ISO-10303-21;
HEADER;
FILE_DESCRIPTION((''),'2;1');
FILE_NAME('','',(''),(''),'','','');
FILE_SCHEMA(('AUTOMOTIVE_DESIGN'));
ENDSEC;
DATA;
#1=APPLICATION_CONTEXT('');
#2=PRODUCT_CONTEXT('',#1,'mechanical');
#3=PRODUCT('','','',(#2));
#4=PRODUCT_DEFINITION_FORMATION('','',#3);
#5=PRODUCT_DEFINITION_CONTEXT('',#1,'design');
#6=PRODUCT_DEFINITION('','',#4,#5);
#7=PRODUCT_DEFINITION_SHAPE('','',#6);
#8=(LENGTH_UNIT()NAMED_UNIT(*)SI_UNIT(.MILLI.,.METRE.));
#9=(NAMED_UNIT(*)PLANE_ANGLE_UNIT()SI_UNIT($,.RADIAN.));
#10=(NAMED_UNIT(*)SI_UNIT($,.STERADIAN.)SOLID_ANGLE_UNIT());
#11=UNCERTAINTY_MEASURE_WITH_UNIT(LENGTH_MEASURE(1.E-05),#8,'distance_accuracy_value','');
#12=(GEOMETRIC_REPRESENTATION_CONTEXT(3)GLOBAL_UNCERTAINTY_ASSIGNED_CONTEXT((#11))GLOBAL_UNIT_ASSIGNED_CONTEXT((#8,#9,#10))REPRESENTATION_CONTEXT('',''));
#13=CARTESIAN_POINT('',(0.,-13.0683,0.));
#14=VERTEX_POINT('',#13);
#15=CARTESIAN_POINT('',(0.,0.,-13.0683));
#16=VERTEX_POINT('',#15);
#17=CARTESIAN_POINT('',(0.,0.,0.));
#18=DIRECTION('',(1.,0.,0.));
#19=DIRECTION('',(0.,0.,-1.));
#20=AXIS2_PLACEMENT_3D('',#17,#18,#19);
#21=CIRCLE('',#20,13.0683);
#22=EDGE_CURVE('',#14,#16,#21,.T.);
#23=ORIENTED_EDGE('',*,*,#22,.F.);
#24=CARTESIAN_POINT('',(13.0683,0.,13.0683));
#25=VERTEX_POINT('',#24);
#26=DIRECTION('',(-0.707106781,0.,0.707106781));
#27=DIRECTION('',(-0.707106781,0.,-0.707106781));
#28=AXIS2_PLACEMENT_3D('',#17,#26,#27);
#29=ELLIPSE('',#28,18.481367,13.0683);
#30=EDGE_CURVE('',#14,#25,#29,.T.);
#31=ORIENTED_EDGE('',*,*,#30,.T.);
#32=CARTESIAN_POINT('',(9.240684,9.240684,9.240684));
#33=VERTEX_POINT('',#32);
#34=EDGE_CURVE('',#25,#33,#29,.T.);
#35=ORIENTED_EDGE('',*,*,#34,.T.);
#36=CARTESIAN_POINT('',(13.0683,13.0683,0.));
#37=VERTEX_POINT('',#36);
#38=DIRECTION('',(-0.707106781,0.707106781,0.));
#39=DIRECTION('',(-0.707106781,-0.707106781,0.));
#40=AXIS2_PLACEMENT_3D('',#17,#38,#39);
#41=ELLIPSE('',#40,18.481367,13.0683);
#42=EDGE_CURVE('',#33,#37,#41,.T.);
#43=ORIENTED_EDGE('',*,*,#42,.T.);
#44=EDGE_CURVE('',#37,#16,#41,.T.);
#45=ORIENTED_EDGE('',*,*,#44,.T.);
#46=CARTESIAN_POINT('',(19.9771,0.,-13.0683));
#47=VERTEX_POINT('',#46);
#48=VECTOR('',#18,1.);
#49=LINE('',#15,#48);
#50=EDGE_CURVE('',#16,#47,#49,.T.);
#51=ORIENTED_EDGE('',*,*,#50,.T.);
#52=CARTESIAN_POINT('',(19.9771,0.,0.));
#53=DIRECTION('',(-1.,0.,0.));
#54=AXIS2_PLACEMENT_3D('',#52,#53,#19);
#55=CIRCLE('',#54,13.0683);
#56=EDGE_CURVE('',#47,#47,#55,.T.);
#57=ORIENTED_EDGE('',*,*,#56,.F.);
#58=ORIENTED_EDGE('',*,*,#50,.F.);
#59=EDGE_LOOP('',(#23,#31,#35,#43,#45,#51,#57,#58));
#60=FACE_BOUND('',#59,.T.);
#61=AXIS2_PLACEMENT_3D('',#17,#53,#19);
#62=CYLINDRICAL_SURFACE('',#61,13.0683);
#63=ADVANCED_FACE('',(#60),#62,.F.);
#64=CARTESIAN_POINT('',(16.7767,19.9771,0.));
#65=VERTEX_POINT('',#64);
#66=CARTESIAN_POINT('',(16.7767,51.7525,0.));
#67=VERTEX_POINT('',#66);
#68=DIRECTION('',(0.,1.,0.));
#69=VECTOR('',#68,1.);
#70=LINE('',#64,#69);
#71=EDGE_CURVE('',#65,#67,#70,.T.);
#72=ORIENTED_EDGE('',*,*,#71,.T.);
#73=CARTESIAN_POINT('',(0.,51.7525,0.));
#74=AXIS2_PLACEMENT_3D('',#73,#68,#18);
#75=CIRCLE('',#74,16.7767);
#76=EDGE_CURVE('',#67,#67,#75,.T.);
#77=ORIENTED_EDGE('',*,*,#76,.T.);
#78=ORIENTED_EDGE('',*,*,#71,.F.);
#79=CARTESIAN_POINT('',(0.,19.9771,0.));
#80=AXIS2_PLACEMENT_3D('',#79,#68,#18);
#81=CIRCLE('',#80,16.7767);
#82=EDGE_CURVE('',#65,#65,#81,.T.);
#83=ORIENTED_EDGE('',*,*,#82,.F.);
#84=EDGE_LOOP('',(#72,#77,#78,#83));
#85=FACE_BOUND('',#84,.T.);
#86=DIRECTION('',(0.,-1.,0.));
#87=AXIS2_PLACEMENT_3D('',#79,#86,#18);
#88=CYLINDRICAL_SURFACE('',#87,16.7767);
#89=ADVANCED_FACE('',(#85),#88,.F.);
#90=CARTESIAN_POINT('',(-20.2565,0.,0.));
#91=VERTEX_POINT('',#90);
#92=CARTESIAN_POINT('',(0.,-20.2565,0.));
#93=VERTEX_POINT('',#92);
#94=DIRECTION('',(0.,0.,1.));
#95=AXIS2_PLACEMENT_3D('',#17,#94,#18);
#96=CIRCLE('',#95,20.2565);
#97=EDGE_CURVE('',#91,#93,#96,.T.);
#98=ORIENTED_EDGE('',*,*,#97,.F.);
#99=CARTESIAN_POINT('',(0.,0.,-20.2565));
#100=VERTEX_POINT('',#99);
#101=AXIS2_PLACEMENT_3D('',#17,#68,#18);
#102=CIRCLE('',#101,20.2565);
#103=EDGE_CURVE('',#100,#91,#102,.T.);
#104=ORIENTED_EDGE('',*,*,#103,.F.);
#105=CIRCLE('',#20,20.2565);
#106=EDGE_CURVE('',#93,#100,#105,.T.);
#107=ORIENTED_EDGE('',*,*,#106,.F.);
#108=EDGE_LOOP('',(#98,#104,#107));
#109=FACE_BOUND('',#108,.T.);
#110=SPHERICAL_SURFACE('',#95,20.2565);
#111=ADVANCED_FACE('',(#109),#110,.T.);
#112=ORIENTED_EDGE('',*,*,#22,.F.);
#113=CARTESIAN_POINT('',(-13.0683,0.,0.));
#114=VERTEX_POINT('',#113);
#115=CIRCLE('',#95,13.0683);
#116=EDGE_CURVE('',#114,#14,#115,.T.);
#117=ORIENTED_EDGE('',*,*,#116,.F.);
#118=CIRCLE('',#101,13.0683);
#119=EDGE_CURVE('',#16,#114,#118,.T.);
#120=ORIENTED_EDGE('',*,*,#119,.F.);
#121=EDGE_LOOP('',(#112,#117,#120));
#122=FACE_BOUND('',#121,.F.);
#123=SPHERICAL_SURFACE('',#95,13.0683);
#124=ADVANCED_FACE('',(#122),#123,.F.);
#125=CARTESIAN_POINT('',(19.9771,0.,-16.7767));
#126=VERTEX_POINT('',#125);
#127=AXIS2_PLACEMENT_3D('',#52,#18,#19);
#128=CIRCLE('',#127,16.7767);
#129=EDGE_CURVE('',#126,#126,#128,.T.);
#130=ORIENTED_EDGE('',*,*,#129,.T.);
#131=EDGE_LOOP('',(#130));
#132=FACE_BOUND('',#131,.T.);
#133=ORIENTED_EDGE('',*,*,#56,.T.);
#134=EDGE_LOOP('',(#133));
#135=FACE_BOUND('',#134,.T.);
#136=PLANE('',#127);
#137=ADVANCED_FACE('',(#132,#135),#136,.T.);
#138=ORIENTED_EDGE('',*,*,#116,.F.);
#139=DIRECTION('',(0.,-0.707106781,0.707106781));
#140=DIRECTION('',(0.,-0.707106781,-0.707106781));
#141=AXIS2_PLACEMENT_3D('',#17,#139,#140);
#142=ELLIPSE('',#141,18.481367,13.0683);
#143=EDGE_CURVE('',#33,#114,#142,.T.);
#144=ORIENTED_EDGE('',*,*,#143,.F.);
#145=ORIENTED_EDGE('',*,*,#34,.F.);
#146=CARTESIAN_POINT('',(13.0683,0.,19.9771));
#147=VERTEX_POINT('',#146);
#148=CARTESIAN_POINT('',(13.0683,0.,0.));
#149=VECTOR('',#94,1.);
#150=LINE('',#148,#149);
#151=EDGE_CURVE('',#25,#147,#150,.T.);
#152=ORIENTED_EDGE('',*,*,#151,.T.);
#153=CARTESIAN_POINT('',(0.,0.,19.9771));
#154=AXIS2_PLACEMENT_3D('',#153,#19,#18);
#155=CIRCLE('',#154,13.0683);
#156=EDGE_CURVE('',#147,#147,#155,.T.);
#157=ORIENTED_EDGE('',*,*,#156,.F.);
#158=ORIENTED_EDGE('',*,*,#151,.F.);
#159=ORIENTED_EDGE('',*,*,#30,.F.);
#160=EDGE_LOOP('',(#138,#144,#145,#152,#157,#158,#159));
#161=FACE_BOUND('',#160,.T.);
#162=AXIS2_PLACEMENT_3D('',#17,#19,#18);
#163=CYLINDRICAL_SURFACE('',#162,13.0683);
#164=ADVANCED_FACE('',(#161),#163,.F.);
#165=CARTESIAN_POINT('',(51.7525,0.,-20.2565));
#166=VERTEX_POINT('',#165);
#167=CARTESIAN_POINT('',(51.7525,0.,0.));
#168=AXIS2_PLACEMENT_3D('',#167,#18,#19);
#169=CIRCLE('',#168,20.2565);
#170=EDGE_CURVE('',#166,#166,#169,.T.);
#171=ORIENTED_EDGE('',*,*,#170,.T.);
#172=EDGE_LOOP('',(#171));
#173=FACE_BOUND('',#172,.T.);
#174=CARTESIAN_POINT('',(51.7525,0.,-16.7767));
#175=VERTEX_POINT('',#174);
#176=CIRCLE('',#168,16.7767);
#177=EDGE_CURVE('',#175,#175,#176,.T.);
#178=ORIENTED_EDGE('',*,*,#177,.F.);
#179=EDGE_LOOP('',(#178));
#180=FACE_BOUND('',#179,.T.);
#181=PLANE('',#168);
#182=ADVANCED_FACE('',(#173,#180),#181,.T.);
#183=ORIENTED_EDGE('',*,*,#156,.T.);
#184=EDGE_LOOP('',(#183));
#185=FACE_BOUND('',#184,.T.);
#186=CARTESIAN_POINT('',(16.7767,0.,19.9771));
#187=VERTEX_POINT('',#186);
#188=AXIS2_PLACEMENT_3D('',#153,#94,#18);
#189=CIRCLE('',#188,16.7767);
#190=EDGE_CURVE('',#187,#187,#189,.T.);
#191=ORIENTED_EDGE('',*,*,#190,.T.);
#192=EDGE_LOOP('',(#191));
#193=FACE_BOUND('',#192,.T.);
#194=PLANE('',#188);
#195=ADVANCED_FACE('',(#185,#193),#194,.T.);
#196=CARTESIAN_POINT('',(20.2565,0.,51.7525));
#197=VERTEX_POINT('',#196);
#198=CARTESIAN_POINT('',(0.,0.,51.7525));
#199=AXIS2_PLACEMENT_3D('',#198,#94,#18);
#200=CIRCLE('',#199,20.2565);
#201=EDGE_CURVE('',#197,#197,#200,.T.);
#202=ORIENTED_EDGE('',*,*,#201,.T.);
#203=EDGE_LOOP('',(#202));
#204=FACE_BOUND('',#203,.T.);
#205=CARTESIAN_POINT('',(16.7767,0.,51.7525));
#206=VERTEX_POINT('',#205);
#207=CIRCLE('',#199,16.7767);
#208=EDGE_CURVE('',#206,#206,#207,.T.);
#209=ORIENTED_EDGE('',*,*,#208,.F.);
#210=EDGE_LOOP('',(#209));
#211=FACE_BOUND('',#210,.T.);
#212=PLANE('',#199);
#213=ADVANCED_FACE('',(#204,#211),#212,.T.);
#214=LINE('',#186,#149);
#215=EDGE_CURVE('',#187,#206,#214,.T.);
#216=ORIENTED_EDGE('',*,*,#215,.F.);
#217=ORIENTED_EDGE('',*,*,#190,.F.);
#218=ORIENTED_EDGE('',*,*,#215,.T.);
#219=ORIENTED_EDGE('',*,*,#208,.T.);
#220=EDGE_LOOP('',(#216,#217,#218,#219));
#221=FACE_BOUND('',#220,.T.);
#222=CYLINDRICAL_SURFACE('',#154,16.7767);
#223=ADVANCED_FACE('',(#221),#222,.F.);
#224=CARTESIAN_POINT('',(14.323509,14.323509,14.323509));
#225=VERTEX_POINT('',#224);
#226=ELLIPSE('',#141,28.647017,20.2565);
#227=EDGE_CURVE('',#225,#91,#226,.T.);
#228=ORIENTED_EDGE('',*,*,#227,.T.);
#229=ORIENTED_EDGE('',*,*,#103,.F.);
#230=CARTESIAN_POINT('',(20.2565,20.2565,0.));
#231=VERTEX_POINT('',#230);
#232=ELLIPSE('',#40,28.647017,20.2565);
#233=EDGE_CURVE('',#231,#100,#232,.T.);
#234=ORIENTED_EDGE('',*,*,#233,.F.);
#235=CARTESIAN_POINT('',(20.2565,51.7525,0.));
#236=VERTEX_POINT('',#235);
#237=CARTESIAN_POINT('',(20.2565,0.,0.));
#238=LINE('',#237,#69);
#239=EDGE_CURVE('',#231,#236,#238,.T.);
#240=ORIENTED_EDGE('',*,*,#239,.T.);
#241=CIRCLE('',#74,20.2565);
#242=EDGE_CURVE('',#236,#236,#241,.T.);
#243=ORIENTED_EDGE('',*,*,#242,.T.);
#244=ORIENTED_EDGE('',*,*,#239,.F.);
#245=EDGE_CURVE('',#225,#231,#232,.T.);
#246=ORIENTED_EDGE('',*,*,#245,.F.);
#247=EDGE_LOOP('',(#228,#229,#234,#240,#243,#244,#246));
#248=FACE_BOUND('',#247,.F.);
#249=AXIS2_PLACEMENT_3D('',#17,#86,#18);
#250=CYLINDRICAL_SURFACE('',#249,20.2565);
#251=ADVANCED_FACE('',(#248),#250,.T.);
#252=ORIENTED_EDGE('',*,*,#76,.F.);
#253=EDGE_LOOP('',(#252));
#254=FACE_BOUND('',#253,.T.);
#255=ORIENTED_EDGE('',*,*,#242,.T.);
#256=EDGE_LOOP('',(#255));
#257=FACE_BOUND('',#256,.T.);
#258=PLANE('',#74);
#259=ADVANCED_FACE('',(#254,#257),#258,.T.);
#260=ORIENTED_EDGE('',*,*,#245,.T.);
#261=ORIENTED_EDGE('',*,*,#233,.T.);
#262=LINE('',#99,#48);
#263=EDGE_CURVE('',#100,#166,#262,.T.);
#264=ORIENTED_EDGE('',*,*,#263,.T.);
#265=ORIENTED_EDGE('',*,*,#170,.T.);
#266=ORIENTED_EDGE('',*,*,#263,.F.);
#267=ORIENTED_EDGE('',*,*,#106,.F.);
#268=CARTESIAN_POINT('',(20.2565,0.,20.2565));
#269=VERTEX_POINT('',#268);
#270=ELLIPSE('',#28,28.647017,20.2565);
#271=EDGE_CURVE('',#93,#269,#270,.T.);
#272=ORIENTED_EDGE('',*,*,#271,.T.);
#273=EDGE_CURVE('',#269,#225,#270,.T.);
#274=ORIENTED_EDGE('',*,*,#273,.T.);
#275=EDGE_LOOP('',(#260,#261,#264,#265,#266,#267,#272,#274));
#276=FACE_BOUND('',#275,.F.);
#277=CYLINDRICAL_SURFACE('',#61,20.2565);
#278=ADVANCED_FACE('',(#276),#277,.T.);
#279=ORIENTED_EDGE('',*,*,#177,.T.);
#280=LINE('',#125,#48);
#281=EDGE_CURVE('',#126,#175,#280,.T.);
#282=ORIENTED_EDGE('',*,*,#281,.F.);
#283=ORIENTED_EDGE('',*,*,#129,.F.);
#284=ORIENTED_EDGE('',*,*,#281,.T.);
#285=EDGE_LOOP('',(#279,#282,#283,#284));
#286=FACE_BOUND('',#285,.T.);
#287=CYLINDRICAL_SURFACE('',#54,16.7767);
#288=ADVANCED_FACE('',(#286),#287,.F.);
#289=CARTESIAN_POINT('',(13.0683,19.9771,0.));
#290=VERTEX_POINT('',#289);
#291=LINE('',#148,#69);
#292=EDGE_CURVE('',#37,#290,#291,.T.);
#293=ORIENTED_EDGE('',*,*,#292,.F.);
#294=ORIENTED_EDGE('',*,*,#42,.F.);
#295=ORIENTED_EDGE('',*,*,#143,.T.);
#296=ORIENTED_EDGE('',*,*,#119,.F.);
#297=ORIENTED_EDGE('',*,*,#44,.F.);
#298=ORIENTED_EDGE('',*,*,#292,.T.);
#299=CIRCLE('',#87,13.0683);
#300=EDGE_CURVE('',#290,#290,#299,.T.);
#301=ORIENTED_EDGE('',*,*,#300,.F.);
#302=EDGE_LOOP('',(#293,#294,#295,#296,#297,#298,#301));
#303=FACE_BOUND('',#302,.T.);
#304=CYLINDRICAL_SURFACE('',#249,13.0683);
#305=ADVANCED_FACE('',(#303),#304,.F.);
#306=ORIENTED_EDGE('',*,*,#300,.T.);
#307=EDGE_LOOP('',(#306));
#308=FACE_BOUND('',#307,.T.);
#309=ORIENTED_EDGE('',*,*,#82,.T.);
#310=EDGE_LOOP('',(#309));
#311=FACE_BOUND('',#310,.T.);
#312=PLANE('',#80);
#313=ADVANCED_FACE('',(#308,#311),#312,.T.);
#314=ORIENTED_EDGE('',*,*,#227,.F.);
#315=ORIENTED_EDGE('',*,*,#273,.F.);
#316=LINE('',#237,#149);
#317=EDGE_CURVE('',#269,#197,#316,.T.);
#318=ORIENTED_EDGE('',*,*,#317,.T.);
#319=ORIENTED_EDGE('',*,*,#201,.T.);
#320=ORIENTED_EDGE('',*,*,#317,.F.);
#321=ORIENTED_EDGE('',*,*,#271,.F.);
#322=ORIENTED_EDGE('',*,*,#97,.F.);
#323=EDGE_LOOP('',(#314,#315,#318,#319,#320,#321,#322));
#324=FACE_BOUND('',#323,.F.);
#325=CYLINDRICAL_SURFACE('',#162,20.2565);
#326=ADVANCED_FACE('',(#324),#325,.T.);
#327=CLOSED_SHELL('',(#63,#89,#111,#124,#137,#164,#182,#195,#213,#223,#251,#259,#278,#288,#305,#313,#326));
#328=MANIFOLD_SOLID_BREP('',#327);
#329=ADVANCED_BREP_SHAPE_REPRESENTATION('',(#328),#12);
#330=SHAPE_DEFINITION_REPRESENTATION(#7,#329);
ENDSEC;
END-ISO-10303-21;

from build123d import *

# Parameters (mm, degrees)
YCYNLIDER001_R           = 13.0683
YCYNLIDER001_DEPTH       = 51.7525
YCYNLIDER001_ROLL_ANGLE  = -90
ZCYNLIDER001_R           = 13.0683
ZCYNLIDER001_DEPTH       = 51.7525
XSOCKET_R                = 16.7767
XSOCKET_DEPTH            = 31.7754
XSOCKET_PITCH_ANGLE      = 90
YSOCKET_R                = 16.7767
YSOCKET_DEPTH            = 31.7754
YSOCKET_ROLL_ANGLE       = -90
ZSOCKET_R                = 16.7767
ZSOCKET_DEPTH            = 31.7754
XCYNLIDER001_R           = 13.0683
XCYNLIDER001_DEPTH       = 51.7525
XCYNLIDER001_PITCH_ANGLE = 90
YCYNLIDER_R              = 20.2565
YCYNLIDER_DEPTH          = 51.7525
YCYNLIDER_ROLL_ANGLE     = -90
ZCYNLIDER_R              = 20.2565
ZCYNLIDER_DEPTH          = 51.7525
XCYNLIDER_R              = 20.2565
XCYNLIDER_DEPTH          = 51.7525
XCYNLIDER_PITCH_ANGLE    = 90


with BuildPart() as ycynlider001:
    # YCynlider001 → YCynlider001 (new body)
    with BuildSketch(Plane.XY):
        Circle(YCYNLIDER001_R)
    extrude(amount=YCYNLIDER001_DEPTH)


with BuildPart() as ycynlider001_1:
    # YCynlider001 roll: moved
    add(ycynlider001.part.rotate(Axis((0, 0, 0), (1, 0, 0)), YCYNLIDER001_ROLL_ANGLE))


with BuildPart() as ycynlider001_2:
    # YCynlider001 placement: moved
    add(ycynlider001_1.part)


with BuildPart() as zcynlider001:
    # ZCynlider001 → ZCynlider001 (new body)
    with BuildSketch(Plane.XY):
        Circle(ZCYNLIDER001_R)
    extrude(amount=ZCYNLIDER001_DEPTH)


with BuildPart() as sphere001:
    # Sphere001 → Sphere001 (revolve)
    with BuildSketch(Plane.XZ):
        with BuildLine():
            ThreePointArc((0, -13.0683), (13.0683, 0), (0, 13.0683))
            Line((0, 13.0683), (0, -13.0683))
        make_face()
    revolve(axis=Axis((0, 0, 0), (0, 0, 1)))


with BuildPart() as xsocket:
    # XSocket → XSocket (new body)
    with BuildSketch(Plane.XY):
        Circle(XSOCKET_R)
    extrude(amount=XSOCKET_DEPTH)


with BuildPart() as xsocket_1:
    # XSocket pitch: moved
    add(xsocket.part.rotate(Axis((0, 0, 0), (0, 1, 0)), XSOCKET_PITCH_ANGLE))


with BuildPart() as xsocket_2:
    # XSocket placement: moved
    add(xsocket_1.part.moved(Location((19.9771, 0, 0))))


with BuildPart() as ysocket:
    # YSocket → YSocket (new body)
    with BuildSketch(Plane.XY):
        Circle(YSOCKET_R)
    extrude(amount=YSOCKET_DEPTH)


with BuildPart() as ysocket_1:
    # YSocket roll: moved
    add(ysocket.part.rotate(Axis((0, 0, 0), (1, 0, 0)), YSOCKET_ROLL_ANGLE))


with BuildPart() as ysocket_2:
    # YSocket placement: moved
    add(ysocket_1.part.moved(Location((0, 19.9771, 0))))


with BuildPart() as zsocket:
    # ZSocket → ZSocket (new body)
    with BuildSketch(Plane.XY.offset(19.9771)):
        Circle(ZSOCKET_R)
    extrude(amount=ZSOCKET_DEPTH)


with BuildPart() as fusion001:
    # XCynlider001 → XCynlider001 (new body)
    with BuildSketch(Plane.XY):
        Circle(XCYNLIDER001_R)
    extrude(amount=XCYNLIDER001_DEPTH)


with BuildPart() as fusion001_1:
    # XCynlider001 pitch: moved
    add(fusion001.part.rotate(Axis((0, 0, 0), (0, 1, 0)), XCYNLIDER001_PITCH_ANGLE))


with BuildPart() as fusion001_2:
    # XCynlider001 placement: moved
    add(fusion001_1.part)

    # Fusion001: union YCynlider001, ZCynlider001, Sphere001, XSocket, YSocket, ZSocket
    add(ycynlider001_2.part)
    add(zcynlider001.part)
    add(sphere001.part)
    add(xsocket_2.part)
    add(ysocket_2.part)
    add(zsocket.part)


with BuildPart() as ycynlider:
    # YCynlider → YCynlider (new body)
    with BuildSketch(Plane.XY):
        Circle(YCYNLIDER_R)
    extrude(amount=YCYNLIDER_DEPTH)


with BuildPart() as ycynlider_1:
    # YCynlider roll: moved
    add(ycynlider.part.rotate(Axis((0, 0, 0), (1, 0, 0)), YCYNLIDER_ROLL_ANGLE))


with BuildPart() as ycynlider_2:
    # YCynlider placement: moved
    add(ycynlider_1.part)


with BuildPart() as zcynlider:
    # ZCynlider → ZCynlider (new body)
    with BuildSketch(Plane.XY):
        Circle(ZCYNLIDER_R)
    extrude(amount=ZCYNLIDER_DEPTH)


with BuildPart() as sphere:
    # Sphere → Sphere (revolve)
    with BuildSketch(Plane.XZ):
        with BuildLine():
            ThreePointArc((0, -20.2565), (20.2565, 0), (0, 20.2565))
            Line((0, 20.2565), (0, -20.2565))
        make_face()
    revolve(axis=Axis((0, 0, 0), (0, 0, 1)))


with BuildPart() as f0013we:
    # XCynlider → XCynlider (new body)
    with BuildSketch(Plane.XY):
        Circle(XCYNLIDER_R)
    extrude(amount=XCYNLIDER_DEPTH)


with BuildPart() as f0013we_1:
    # XCynlider pitch: moved
    add(f0013we.part.rotate(Axis((0, 0, 0), (0, 1, 0)), XCYNLIDER_PITCH_ANGLE))


with BuildPart() as f0013we_2:
    # XCynlider placement: moved
    add(f0013we_1.part)

    # Fusion: union YCynlider, ZCynlider, Sphere
    add(ycynlider_2.part)
    add(zcynlider.part)
    add(sphere.part)

    # Cut: cut Fusion001
    add(fusion001_2.part, mode=Mode.SUBTRACT)


solid = f0013we_2.part
